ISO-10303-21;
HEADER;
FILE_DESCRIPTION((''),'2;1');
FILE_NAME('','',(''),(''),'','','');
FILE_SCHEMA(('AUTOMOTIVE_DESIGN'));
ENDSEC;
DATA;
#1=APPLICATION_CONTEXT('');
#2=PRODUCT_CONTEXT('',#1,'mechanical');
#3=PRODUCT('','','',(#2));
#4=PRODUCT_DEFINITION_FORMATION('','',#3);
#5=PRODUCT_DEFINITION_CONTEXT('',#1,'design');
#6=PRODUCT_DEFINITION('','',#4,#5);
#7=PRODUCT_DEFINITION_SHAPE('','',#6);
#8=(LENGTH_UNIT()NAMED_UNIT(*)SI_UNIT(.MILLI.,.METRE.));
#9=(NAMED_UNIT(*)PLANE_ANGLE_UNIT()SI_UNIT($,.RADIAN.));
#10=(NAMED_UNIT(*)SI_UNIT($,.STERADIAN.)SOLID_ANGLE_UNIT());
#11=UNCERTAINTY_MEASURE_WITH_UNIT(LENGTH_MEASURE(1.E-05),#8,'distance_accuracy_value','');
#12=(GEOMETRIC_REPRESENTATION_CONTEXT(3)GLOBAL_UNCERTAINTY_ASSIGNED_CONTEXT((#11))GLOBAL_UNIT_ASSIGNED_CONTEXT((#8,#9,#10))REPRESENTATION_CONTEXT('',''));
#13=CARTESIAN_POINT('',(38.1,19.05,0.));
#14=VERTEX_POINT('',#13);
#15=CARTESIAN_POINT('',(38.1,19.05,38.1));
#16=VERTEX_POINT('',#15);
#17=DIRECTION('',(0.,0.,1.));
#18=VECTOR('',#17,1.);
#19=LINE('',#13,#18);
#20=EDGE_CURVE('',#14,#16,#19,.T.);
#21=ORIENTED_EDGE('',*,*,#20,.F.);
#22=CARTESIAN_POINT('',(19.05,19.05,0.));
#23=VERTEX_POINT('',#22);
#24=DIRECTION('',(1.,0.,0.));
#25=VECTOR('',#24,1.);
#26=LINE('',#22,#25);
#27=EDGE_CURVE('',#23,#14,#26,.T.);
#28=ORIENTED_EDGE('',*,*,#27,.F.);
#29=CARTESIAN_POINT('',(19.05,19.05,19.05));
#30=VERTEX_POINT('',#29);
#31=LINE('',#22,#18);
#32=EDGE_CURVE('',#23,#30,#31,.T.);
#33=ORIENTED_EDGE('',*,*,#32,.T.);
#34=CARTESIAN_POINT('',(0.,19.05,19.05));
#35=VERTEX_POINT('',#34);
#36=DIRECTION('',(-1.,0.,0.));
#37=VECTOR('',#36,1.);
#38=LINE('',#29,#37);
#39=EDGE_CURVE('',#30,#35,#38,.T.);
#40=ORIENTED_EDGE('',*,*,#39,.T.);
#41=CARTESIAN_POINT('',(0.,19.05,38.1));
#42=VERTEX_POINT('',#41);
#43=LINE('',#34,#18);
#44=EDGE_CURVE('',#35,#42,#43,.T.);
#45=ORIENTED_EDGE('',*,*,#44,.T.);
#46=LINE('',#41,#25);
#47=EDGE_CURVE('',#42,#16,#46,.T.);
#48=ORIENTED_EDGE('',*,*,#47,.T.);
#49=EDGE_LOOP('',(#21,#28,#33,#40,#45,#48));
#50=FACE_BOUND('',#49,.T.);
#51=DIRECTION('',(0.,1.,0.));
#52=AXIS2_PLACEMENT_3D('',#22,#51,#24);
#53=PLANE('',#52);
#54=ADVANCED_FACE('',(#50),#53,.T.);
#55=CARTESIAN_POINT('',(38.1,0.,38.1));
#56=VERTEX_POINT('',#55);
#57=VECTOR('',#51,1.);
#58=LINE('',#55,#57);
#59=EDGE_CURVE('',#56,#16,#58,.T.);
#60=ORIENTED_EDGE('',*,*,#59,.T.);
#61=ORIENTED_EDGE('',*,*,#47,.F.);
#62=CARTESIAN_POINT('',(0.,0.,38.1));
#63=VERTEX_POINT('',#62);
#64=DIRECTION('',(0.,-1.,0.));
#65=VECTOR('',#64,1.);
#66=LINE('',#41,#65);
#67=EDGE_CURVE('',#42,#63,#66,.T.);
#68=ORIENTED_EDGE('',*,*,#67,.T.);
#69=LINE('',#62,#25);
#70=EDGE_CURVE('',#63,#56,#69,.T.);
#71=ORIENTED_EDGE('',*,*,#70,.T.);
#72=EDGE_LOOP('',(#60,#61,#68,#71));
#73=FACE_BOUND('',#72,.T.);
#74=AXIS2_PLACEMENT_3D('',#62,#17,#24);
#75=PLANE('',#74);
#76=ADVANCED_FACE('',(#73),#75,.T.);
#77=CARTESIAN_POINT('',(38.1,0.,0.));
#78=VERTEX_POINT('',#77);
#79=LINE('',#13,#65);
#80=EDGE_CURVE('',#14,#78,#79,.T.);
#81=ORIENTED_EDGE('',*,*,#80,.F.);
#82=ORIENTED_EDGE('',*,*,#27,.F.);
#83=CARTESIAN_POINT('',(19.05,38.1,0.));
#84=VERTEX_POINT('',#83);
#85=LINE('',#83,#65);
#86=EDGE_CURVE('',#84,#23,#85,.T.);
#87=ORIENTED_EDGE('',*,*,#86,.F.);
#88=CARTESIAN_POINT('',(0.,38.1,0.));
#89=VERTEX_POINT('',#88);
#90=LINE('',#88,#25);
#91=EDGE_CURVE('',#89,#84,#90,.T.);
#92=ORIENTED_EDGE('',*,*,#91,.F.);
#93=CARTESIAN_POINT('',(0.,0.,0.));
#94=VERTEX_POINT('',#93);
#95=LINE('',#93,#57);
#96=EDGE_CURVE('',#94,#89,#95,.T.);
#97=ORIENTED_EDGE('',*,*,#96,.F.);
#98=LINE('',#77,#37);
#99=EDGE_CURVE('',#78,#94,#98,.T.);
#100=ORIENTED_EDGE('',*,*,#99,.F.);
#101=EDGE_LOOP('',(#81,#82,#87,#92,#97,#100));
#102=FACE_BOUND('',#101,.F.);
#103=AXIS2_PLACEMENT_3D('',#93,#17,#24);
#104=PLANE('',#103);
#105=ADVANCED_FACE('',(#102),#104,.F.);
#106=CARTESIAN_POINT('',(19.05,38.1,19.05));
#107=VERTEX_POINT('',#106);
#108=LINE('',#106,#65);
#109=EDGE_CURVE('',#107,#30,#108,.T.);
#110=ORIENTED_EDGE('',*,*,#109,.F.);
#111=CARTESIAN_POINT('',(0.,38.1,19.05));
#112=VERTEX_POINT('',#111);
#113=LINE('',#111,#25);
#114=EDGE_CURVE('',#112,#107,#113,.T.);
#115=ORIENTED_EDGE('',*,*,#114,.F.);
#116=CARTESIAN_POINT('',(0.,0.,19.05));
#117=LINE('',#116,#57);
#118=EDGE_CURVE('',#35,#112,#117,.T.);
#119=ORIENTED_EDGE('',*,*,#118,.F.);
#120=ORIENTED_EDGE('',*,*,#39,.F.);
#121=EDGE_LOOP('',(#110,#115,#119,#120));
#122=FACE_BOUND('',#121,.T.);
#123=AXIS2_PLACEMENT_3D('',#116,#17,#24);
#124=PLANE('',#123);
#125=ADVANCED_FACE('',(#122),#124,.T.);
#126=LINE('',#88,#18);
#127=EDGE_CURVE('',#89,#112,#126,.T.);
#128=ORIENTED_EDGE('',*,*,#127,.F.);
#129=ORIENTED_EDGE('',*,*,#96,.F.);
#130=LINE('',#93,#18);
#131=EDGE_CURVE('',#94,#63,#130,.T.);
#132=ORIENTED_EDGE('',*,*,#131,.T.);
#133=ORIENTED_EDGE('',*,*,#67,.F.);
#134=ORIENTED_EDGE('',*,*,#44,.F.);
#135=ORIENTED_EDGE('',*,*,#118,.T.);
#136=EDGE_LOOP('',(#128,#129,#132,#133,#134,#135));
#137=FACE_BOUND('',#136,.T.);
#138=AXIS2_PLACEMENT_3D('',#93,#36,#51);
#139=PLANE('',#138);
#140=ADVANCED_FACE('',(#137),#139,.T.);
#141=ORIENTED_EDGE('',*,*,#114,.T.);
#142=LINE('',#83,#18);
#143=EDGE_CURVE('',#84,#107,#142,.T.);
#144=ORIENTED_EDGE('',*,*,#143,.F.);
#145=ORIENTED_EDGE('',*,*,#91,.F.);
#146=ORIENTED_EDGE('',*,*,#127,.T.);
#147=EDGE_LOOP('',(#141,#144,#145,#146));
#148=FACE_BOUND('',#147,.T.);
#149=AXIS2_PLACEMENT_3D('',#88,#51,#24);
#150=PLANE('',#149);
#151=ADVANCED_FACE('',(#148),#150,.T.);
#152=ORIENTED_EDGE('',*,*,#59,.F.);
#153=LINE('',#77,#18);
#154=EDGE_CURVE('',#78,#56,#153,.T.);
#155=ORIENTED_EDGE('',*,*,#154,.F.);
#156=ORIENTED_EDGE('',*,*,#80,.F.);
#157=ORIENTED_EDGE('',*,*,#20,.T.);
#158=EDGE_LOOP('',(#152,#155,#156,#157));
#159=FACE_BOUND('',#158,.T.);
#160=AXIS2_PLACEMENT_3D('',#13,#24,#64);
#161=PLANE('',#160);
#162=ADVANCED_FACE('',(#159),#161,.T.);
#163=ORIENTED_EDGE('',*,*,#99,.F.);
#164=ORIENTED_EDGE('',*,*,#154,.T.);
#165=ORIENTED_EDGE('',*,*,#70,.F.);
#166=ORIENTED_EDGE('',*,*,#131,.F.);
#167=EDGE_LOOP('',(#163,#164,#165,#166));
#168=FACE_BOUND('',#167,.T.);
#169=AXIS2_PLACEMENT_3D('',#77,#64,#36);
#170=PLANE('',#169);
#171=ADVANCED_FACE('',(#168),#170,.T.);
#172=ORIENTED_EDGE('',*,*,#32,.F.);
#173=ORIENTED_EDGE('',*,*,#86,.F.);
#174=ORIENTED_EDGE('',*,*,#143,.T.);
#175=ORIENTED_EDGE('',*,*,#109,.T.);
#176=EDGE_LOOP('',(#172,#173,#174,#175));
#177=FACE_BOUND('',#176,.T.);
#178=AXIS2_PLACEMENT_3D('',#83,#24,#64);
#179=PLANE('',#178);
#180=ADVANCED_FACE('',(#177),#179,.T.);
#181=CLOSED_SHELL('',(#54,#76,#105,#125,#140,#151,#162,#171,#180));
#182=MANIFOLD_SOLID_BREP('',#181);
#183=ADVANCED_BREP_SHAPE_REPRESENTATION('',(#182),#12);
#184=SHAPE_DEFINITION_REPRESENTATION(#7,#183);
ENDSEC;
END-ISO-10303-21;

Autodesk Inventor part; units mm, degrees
ref_plane "YZ Plane" through (0, 0, 0) normal (1, 0, 0) x (0, 1, 0)
ref_plane "XZ Plane" through (0, 0, 0) normal (0, 1, 0) x (-1, 0, 0)
ref_plane "XY Plane" through (0, 0, 0) normal (0, 0, 1) x (1, 0, 0)
sketch "Sketch1" plane through (0, 0, 0) normal (0, 0, 1) x (1, 0, 0)
  line L0 (0, 0) -> (0, 38.1)
  line L1 (0, 38.1) -> (19.05, 38.1)
  line L2 (19.05, 38.1) -> (19.05, 19.05)
  line L3 (19.05, 19.05) -> (38.1, 19.05)
  line L4 (38.1, 19.05) -> (38.1, 0)
  line L5 (38.1, 0) -> (0, 0)
  dimension "d0" = 38.1
  dimension "d1" = 19.05
  dimension "d2" = 19.05
  dimension "d3" = 19.05
extrude "Extrusion1" add sketch "Sketch1" along normal blind 19.05
sketch "Sketch2" plane through (0, 0, 19.05) normal (0, 0, 1) x (1, 0, 0)
  line L0 (19.05, 19.05) -> (0, 19.05)
  line L1 (0, 19.05) -> (0, 0)
  line L2 (0, 38.1) -> (0, 0) projected
  line L3 (0, 0) -> (38.1, 0)
  line L4 (38.1, 0) -> (38.1, 19.05)
  line L5 (38.1, 19.05) -> (19.05, 19.05) projected
  line L6 (38.1, 19.05) -> (19.05, 19.05)
extrude "Extrusion2" add sketch "Sketch2" along normal blind 19.05
properties part number "2"
